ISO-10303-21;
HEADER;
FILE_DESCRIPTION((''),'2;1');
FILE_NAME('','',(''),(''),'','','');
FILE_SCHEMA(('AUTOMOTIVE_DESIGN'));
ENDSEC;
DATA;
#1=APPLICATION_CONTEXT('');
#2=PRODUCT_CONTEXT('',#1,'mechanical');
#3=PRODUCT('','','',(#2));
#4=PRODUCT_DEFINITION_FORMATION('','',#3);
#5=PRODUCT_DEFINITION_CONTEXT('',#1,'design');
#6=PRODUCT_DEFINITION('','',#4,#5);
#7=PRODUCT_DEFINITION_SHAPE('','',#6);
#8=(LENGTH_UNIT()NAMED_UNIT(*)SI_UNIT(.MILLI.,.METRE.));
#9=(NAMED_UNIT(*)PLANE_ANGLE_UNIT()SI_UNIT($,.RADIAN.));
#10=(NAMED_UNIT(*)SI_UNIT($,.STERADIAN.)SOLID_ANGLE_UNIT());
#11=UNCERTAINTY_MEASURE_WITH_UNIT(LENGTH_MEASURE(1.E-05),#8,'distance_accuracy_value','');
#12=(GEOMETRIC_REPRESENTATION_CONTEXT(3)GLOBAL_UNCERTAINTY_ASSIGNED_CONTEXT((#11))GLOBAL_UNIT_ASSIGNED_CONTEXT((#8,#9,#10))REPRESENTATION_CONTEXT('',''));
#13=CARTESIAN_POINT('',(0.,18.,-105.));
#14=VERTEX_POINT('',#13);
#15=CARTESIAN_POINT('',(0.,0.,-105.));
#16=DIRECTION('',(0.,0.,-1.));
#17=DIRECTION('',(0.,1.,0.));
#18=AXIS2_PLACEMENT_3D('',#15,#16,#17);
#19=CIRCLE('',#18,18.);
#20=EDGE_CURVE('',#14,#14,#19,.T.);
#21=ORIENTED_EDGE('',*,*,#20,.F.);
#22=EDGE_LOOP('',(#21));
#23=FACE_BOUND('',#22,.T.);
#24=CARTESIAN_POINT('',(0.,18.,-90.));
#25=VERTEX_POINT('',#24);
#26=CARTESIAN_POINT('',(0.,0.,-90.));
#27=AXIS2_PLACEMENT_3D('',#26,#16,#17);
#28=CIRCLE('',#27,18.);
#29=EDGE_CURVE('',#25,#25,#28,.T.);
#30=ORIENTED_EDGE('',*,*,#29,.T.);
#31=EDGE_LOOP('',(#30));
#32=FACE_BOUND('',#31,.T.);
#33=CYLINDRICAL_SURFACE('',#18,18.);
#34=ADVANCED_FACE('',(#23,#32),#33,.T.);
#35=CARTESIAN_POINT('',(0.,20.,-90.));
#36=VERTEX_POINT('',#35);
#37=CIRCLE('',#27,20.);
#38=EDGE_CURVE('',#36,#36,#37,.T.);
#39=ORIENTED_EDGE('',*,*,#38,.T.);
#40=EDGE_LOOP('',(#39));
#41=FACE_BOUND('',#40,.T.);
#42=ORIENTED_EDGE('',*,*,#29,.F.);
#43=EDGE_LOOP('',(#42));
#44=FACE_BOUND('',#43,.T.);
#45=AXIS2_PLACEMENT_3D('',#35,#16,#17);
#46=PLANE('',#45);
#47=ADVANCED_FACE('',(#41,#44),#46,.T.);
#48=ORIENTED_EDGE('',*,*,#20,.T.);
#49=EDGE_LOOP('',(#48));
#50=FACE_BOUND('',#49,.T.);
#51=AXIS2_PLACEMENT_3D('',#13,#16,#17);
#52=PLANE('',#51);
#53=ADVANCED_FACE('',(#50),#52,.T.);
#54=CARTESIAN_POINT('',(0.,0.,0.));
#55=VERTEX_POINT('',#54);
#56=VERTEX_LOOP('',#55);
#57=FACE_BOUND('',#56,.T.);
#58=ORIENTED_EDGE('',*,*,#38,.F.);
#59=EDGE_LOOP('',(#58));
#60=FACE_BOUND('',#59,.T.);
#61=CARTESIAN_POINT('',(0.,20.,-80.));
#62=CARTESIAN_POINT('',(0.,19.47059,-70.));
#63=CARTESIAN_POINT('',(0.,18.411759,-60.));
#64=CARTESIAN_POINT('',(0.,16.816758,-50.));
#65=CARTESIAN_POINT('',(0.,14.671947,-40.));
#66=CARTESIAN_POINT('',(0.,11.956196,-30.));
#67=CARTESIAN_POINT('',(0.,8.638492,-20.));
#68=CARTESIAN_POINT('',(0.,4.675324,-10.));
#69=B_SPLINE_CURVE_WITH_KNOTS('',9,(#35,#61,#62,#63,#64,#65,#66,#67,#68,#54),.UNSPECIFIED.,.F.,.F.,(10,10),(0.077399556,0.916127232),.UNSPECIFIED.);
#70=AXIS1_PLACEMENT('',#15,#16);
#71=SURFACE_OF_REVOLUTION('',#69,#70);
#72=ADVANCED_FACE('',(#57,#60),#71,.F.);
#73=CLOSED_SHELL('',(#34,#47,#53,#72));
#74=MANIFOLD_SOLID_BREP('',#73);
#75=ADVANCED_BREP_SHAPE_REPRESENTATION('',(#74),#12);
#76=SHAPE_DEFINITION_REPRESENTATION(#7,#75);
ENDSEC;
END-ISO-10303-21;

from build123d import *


with BuildPart() as part:
    # Sketch2 → Revolve1 (revolve)
    with BuildSketch(Plane(origin=(0, 0, 0), x_dir=(0, 0, -1), z_dir=(1, 0, 0))):
        with BuildLine():
            Line((90, 20.000000007), (90, 18))
            Line((90, 18), (104.999999999, 18))
            Line((104.999999999, 18), (104.999999999, 0))
            Line((104.999999999, 0), (-1e-09, 0))
            add(Edge.make_bspline(
                [(-1e-09, 0), (9.999999999, 4.675323888), (19.999999999, 8.638491903), (29.999999999, 11.956195858), (39.999999999, 14.671947003), (49.999999999, 16.816757529), (60, 18.411759116), (70, 19.470590362), (80, 19.999999507), (90, 20.000000007)],
                knots=[0.077399556, 0.077399556, 0.077399556, 0.077399556, 0.077399556, 0.077399556, 0.077399556, 0.077399556, 0.077399556, 0.077399556, 0.916127232, 0.916127232, 0.916127232, 0.916127232, 0.916127232, 0.916127232, 0.916127232, 0.916127232, 0.916127232, 0.916127232], degree=9))
        make_face()
    revolve(axis=Axis((0, 0, -104.999999999), (0, 0, 1)))


solid = part.part
